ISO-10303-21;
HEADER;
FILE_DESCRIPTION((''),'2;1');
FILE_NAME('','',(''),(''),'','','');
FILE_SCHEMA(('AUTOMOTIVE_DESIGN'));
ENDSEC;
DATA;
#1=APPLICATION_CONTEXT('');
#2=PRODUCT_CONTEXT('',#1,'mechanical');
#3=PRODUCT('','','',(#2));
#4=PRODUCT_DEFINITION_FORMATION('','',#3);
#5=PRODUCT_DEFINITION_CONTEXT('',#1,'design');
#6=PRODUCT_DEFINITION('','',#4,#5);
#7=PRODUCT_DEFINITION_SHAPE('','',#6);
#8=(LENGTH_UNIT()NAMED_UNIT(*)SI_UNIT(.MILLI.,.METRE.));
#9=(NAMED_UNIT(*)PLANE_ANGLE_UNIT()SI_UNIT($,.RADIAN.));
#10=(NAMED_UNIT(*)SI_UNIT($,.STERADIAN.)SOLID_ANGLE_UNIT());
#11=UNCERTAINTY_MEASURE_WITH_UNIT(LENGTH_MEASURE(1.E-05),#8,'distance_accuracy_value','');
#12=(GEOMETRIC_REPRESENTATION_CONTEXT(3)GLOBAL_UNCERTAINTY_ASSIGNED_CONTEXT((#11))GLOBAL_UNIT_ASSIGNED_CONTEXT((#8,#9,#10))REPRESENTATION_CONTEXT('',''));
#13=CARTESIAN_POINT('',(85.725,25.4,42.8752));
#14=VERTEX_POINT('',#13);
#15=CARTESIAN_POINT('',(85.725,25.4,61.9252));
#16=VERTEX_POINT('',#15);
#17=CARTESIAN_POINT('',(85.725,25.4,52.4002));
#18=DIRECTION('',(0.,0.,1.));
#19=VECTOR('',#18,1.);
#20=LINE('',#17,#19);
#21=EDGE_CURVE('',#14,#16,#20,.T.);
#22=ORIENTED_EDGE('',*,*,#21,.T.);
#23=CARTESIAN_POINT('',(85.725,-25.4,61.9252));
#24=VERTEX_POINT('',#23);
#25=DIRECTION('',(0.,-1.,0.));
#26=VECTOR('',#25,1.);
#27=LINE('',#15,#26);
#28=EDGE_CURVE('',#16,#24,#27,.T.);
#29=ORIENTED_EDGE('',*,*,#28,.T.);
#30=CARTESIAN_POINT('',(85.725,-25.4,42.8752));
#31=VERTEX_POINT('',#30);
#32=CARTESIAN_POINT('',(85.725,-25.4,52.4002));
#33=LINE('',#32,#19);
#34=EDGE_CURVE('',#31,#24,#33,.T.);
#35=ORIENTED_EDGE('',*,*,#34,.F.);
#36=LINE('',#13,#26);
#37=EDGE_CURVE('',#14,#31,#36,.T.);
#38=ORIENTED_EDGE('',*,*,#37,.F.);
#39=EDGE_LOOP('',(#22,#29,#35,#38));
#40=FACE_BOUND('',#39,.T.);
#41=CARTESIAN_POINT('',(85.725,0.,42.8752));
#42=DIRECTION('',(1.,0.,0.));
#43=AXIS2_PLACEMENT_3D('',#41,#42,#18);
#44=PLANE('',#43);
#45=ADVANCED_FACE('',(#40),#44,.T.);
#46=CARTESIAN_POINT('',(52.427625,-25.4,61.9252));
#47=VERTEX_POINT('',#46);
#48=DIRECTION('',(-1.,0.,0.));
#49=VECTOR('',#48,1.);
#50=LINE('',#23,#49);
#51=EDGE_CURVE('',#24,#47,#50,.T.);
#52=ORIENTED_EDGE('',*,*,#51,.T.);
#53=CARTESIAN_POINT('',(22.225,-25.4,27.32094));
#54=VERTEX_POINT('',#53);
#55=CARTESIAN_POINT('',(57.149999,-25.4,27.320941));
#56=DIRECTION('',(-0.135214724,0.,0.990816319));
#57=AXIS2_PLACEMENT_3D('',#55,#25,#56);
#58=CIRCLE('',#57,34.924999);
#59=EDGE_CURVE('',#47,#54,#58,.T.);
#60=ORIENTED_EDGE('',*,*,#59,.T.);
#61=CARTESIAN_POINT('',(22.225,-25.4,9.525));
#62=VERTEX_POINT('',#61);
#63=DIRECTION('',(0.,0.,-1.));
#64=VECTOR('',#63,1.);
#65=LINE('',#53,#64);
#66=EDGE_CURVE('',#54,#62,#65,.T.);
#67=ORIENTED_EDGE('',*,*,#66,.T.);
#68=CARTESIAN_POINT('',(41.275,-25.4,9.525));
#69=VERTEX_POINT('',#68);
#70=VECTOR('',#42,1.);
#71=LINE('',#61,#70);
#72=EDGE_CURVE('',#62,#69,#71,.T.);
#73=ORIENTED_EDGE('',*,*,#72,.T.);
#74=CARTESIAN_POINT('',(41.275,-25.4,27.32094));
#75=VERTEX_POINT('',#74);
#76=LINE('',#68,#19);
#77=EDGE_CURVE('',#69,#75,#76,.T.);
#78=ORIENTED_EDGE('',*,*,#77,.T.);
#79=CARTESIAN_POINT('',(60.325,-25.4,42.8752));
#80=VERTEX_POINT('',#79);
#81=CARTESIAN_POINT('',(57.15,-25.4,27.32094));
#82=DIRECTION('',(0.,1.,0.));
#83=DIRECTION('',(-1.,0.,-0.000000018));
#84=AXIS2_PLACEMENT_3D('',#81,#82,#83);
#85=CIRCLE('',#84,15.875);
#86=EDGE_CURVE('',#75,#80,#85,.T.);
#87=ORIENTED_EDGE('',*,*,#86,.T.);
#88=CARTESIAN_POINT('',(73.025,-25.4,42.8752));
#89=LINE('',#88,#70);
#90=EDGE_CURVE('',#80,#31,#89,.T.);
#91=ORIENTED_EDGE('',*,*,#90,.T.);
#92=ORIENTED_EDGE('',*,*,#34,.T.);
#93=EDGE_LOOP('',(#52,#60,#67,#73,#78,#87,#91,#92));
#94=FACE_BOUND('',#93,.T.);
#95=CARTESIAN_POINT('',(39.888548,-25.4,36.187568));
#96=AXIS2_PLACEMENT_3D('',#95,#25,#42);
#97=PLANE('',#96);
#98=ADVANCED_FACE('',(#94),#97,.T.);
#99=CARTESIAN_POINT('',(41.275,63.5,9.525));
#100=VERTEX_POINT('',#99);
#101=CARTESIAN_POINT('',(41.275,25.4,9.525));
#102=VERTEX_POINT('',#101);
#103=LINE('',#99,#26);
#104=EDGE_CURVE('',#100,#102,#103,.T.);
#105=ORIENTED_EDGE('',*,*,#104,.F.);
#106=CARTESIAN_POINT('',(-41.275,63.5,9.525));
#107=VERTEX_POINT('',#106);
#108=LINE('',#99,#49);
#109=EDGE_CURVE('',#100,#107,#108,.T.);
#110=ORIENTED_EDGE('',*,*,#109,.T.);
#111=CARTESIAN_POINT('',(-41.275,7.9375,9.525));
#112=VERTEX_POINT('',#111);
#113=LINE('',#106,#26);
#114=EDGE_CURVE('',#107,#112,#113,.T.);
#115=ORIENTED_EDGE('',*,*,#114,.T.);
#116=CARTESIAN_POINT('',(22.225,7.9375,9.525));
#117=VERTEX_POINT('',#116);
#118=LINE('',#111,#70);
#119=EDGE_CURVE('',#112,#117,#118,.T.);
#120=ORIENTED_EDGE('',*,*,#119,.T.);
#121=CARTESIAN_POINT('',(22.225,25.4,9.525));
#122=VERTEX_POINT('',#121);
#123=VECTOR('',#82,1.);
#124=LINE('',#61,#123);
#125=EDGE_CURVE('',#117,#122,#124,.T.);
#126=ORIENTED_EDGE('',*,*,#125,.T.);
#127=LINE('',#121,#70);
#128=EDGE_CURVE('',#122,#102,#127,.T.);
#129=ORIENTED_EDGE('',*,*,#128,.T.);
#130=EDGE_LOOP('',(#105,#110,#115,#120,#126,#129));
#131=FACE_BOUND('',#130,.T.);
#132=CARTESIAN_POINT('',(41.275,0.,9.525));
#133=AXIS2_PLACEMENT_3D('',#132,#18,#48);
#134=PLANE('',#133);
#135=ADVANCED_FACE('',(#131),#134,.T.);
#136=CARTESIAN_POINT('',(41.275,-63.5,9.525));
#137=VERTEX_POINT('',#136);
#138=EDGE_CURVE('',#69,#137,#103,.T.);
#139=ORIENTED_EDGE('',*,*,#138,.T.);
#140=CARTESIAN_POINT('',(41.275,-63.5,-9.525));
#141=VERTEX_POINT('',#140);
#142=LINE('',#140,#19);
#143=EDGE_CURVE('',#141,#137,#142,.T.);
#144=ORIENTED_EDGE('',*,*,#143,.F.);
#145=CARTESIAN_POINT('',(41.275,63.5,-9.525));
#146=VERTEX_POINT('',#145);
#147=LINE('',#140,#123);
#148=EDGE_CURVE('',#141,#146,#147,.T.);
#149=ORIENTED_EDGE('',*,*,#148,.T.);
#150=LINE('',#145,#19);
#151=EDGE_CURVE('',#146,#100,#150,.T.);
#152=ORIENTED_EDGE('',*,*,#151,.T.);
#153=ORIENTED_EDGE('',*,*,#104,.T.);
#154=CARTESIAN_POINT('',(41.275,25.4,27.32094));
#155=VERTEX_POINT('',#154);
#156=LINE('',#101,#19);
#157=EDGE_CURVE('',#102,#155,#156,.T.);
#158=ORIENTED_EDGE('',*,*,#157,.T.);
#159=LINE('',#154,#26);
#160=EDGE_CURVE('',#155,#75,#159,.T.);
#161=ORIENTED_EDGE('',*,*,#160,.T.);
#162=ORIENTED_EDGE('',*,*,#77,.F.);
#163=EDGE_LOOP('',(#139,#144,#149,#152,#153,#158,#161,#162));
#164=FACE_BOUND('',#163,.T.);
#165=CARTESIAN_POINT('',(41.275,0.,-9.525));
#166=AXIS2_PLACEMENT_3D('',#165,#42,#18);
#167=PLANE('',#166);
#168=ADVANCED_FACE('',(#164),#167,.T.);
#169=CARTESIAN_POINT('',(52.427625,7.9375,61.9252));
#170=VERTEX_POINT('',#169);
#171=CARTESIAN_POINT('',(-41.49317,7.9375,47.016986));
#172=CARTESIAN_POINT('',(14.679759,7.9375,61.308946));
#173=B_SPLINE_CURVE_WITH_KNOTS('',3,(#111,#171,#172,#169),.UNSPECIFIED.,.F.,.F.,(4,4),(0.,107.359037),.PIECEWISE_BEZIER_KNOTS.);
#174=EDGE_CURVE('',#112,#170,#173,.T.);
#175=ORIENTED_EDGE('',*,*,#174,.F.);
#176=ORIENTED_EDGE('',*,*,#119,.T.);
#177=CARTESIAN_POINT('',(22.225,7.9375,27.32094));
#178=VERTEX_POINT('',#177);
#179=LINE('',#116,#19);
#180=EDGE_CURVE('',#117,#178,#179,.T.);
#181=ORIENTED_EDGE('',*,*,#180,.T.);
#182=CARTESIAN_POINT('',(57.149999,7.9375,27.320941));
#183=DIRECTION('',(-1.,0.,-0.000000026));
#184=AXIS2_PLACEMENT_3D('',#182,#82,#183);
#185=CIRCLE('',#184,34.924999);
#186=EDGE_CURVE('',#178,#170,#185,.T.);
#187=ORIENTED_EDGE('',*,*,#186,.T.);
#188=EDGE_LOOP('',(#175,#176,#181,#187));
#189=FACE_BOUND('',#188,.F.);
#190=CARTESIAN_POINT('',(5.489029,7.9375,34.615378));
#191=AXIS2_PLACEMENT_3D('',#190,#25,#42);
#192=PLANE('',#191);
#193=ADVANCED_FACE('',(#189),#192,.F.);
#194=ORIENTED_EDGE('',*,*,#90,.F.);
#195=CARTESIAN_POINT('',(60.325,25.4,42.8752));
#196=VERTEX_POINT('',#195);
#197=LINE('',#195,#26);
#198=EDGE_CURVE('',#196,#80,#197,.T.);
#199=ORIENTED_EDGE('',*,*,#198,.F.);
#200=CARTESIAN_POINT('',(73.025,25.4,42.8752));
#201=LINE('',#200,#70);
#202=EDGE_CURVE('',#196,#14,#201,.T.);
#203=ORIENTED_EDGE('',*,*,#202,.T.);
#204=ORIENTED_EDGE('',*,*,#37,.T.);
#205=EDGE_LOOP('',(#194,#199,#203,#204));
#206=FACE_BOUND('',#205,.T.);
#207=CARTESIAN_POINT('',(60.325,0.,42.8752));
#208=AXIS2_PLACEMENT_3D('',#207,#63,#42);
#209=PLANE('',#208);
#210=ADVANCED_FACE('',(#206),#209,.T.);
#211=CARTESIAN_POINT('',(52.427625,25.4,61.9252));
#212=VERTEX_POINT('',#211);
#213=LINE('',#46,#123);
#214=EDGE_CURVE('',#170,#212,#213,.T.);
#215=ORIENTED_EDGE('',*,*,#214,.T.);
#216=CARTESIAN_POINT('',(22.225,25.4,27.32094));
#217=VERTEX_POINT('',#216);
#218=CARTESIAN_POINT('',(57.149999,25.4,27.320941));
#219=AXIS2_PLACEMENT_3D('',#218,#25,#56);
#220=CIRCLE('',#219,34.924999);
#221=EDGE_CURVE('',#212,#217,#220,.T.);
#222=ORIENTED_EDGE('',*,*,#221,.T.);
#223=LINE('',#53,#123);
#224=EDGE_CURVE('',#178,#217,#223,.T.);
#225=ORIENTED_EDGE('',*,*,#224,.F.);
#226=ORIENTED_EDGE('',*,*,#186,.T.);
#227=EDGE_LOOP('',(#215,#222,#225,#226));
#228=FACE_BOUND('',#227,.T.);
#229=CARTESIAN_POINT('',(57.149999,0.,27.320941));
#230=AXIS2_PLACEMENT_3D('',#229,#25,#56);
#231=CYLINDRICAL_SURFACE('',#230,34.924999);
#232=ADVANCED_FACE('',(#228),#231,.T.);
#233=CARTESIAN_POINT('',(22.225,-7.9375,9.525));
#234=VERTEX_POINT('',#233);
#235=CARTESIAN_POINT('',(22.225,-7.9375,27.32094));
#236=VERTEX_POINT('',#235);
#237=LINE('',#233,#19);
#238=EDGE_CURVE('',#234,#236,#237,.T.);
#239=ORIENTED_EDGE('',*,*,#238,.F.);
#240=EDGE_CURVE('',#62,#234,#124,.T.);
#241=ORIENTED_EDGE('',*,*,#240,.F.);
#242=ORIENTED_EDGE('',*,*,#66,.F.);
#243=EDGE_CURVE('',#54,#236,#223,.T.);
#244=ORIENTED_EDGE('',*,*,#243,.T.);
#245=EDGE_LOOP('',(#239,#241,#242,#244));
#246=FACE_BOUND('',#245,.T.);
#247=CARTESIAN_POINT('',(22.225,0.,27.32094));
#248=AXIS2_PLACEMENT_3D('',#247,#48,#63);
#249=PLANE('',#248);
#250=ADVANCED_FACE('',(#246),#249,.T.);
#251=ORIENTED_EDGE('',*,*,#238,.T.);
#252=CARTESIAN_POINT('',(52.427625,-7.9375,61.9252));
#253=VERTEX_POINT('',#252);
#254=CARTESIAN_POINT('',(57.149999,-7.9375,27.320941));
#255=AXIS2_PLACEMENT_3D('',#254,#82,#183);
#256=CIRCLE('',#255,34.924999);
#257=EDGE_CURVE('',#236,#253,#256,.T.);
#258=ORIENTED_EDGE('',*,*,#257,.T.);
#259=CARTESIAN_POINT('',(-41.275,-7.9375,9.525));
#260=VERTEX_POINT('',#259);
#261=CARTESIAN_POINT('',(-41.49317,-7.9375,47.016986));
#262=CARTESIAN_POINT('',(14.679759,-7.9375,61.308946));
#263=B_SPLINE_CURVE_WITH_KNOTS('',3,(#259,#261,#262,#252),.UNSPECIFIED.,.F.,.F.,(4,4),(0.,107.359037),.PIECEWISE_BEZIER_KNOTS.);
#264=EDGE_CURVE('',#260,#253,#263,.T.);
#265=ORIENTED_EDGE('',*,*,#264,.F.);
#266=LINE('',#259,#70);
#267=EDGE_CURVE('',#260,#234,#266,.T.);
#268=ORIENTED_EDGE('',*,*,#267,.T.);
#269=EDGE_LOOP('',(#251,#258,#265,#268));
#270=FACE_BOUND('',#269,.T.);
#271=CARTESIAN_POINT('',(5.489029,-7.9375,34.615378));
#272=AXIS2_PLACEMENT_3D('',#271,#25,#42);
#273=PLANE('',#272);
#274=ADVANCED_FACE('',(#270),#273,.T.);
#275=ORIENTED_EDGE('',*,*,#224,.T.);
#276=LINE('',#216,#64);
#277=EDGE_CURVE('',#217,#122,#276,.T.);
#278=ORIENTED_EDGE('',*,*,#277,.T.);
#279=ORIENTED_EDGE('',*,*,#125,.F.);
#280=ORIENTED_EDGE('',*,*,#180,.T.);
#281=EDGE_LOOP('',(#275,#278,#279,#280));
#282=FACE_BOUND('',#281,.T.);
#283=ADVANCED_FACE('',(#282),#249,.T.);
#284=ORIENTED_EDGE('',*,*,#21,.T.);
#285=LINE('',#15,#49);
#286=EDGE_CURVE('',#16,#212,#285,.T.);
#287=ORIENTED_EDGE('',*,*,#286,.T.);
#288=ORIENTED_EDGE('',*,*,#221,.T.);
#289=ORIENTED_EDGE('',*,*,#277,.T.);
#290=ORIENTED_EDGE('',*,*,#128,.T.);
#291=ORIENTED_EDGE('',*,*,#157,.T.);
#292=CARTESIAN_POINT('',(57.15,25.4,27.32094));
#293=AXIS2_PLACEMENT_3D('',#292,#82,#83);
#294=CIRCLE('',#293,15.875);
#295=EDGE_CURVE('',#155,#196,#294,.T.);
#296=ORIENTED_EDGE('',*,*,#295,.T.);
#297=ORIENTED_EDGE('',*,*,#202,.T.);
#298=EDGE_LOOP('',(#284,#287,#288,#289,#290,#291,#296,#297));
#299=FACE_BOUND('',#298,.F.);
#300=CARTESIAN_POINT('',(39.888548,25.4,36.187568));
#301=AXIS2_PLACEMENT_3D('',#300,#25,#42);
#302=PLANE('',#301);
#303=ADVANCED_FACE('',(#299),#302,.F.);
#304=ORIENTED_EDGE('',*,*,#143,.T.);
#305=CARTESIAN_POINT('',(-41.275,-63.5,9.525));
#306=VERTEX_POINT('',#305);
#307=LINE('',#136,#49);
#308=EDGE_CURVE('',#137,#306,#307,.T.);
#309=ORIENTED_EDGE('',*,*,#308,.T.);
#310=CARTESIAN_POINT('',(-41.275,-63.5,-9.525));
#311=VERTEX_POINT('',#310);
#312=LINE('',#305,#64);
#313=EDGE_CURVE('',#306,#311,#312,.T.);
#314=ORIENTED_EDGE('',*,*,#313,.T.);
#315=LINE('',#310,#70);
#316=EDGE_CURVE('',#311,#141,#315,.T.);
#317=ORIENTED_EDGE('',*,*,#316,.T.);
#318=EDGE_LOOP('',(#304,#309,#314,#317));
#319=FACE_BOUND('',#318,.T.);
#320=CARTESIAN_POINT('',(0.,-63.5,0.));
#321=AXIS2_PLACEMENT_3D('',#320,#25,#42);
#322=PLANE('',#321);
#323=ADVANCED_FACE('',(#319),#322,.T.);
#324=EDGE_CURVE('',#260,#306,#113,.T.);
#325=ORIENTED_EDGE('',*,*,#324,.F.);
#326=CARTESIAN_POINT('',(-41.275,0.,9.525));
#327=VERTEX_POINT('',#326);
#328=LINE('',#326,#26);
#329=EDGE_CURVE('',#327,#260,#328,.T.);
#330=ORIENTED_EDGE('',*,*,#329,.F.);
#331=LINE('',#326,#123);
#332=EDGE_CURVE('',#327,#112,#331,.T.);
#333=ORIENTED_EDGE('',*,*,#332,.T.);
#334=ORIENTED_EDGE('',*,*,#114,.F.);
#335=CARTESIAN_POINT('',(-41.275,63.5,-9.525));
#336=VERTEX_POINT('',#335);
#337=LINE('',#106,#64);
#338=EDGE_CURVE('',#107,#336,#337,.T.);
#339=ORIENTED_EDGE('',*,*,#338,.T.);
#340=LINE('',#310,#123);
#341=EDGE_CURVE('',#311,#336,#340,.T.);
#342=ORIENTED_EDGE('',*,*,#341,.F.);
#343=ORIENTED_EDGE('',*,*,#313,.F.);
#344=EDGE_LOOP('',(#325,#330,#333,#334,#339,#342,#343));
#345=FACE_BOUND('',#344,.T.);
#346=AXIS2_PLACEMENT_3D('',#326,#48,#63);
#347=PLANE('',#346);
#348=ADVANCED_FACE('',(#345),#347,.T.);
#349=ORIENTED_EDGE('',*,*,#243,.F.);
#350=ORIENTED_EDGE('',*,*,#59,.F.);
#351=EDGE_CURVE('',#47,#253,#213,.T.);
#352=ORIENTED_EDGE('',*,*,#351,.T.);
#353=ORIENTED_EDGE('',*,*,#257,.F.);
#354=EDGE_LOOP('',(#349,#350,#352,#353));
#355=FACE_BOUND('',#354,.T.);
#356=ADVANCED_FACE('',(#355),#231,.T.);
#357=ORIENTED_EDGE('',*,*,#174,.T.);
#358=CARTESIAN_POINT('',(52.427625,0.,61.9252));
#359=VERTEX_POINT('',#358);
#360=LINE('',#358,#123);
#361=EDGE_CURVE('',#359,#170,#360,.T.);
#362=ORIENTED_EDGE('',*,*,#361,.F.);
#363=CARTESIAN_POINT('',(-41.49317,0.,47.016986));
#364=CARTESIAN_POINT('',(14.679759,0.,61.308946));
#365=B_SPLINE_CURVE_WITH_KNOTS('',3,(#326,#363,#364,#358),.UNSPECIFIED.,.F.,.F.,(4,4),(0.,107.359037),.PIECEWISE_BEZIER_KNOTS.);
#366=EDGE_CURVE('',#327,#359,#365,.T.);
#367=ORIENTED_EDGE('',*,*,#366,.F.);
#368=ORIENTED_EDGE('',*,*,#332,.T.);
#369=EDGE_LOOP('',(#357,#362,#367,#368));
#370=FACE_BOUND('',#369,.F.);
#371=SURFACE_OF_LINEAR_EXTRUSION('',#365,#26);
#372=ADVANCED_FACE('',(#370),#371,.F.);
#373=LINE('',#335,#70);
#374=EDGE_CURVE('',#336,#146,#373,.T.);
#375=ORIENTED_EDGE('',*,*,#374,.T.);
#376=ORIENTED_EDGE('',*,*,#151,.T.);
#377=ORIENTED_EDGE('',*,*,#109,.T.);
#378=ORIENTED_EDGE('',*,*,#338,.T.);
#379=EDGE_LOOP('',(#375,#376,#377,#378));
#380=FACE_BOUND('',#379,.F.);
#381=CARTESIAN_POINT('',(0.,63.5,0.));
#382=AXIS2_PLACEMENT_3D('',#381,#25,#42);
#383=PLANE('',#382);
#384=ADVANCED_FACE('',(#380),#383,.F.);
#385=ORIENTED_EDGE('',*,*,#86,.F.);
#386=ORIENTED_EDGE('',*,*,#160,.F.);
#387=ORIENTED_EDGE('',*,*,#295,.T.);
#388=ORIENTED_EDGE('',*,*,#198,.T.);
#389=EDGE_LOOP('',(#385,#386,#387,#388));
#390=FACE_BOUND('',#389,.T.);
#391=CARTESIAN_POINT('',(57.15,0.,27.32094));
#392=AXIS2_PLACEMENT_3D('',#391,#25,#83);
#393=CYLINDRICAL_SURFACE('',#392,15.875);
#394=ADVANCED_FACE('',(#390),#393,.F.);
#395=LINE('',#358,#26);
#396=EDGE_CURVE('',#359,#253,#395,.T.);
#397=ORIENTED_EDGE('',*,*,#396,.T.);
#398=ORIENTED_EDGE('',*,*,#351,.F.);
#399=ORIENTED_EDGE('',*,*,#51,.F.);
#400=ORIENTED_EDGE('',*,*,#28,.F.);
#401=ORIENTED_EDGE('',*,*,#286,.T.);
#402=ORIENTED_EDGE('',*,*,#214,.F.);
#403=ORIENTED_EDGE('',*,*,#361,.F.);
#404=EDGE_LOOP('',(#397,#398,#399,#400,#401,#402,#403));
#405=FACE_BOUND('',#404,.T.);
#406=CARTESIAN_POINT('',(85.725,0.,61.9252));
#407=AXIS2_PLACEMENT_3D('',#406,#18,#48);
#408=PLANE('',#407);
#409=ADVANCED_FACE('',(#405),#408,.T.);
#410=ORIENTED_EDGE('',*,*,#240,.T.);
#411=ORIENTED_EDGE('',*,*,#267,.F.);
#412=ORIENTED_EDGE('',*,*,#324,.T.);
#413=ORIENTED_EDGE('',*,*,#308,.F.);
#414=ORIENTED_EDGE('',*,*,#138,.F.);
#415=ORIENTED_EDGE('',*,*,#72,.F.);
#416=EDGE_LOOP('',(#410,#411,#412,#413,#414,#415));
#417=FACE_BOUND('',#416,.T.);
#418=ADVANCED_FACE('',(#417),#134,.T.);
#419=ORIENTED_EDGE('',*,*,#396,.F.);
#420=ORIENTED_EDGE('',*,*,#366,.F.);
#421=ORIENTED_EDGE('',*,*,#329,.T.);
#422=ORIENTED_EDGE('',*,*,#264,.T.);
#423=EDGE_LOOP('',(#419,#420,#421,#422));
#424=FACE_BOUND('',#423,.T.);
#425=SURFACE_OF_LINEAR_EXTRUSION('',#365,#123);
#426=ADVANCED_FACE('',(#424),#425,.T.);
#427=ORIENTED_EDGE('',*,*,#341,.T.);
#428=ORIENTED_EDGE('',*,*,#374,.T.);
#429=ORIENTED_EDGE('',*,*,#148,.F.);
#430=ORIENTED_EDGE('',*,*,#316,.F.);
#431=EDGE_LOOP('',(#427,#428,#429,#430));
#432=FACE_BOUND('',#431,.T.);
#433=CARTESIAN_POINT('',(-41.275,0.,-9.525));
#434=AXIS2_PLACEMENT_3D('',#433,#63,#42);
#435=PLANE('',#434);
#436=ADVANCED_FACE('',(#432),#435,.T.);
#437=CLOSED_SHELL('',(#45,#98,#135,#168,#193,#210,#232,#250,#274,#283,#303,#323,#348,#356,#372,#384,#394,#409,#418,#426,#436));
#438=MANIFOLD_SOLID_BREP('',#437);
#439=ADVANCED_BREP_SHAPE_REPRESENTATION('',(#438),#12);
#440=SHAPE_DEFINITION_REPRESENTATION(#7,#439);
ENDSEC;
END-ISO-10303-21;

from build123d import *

# Parameters (mm, degrees)
F1_DEPTH = 63.5
F0_W     = 25.4
F0_H     = 19.05
F2_DEPTH = 25.4
F3_DEPTH = 7.9375


with BuildPart() as f1:
    # F0 (on Front) → F1 (new body, symmetric)
    with BuildSketch(Plane.XZ):
        Polygon((41.275, -9.525), (41.275, 9.525), (22.225, 9.525), (-41.275, 9.525), (-41.275, -9.525), align=None)
    extrude(amount=F1_DEPTH, both=True)

    # F0 (on Front) → F2 (join, symmetric)
    with BuildSketch(Plane.XZ):
        with BuildLine():
            Line((22.225, 9.525), (41.275, 9.525))
            Line((41.275, 9.525), (41.275, 27.32094))
            ThreePointArc((41.275, 27.32094), (47.109768, 39.617662), (60.325, 42.8752))
            Line((60.325, 42.8752), (60.325, 61.9252))
            Line((60.325, 61.9252), (52.427625, 61.9252))
            ThreePointArc((52.427625, 61.9252), (30.837602, 50.286422), (22.225, 27.32094))
            Line((22.225, 27.32094), (22.225, 9.525))
        make_face()
        with Locations((73.025, 52.4002)):
            Rectangle(F0_W, F0_H)
    extrude(amount=F2_DEPTH, both=True)

    # F0 (on Front) → F3 (join, symmetric)
    with BuildSketch(Plane.XZ):
        with BuildLine():
            Line((-41.275, 9.525), (22.225, 9.525))
            Line((22.225, 9.525), (22.225, 27.32094))
            ThreePointArc((22.225, 27.32094), (30.837602, 50.286422), (52.427625, 61.9252))
            add(Edge.make_bspline(
                [(-41.275, 9.525), (-41.49317, 47.016986), (14.679759, 61.308946), (52.427625, 61.9252)],
                knots=[0, 0, 0, 0, 107.359037, 107.359037, 107.359037, 107.359037], degree=3))
        make_face()
    extrude(amount=F3_DEPTH, both=True)


solid = f1.part
